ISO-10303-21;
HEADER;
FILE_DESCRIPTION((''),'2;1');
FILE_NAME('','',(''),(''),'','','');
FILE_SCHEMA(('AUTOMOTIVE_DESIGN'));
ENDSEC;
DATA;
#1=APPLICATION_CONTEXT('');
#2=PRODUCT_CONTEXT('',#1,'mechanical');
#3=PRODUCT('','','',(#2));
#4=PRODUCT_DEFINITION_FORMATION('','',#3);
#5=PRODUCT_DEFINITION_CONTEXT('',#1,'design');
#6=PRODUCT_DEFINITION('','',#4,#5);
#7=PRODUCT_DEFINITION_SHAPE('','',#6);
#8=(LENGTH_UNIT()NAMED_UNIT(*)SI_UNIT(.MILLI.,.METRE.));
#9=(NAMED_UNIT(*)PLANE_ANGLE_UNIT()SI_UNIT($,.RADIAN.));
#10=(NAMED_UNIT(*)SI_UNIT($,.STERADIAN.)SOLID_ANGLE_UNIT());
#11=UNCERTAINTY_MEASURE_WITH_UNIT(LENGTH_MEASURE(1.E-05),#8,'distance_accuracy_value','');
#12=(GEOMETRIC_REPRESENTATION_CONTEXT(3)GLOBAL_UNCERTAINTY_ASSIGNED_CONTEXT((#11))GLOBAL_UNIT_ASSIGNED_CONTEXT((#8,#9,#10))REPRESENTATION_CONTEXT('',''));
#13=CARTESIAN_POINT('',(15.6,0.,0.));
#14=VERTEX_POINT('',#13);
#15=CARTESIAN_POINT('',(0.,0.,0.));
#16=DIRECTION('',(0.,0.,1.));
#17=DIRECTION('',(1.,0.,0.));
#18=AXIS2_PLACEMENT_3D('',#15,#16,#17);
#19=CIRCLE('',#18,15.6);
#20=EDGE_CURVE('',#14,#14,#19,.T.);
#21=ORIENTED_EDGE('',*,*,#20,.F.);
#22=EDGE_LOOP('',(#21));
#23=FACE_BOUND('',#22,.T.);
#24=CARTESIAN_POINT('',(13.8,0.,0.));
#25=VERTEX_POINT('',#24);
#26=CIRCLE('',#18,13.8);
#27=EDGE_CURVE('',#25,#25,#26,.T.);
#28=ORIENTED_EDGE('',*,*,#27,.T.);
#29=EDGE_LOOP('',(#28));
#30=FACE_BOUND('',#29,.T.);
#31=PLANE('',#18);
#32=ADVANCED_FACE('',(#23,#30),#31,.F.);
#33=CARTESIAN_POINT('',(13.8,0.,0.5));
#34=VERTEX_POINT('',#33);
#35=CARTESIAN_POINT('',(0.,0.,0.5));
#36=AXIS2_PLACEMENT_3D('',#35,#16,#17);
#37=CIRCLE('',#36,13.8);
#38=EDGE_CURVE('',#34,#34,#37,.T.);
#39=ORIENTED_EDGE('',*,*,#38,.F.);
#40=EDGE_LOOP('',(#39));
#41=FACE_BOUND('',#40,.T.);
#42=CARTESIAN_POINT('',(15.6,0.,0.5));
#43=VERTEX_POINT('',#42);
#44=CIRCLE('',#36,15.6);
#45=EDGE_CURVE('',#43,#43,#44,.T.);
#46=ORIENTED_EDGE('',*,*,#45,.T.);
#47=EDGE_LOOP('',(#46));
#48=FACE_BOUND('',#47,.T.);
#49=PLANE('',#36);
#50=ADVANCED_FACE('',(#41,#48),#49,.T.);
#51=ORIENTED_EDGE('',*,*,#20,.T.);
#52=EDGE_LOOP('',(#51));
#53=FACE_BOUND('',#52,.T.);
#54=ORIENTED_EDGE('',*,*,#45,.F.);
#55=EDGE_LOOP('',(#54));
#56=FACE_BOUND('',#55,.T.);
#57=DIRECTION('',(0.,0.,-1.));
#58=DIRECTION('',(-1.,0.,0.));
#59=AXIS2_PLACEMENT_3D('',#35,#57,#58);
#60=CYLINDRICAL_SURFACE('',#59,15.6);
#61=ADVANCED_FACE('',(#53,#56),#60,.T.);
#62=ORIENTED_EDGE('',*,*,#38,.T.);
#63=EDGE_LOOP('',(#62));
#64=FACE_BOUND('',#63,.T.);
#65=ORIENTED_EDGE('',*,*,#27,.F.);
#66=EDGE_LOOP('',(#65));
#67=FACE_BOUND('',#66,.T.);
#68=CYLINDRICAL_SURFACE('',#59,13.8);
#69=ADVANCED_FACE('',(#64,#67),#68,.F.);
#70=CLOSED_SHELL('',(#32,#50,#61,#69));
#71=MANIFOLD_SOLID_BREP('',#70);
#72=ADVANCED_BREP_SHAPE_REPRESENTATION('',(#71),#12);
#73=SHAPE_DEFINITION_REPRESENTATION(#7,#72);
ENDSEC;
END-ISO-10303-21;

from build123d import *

# Parameters (mm, degrees)
SKETCH_1_R      = 15.6
SKETCH_1_R_2    = 13.8
EXTRUDE_1_DEPTH = 0.5


with BuildPart() as part:
    # 草图1 → 拉伸-薄壁1 (new body)
    with BuildSketch(Plane.XY):
        Circle(SKETCH_1_R)
        Circle(SKETCH_1_R_2, mode=Mode.SUBTRACT)
    extrude(amount=EXTRUDE_1_DEPTH)


solid = part.part
